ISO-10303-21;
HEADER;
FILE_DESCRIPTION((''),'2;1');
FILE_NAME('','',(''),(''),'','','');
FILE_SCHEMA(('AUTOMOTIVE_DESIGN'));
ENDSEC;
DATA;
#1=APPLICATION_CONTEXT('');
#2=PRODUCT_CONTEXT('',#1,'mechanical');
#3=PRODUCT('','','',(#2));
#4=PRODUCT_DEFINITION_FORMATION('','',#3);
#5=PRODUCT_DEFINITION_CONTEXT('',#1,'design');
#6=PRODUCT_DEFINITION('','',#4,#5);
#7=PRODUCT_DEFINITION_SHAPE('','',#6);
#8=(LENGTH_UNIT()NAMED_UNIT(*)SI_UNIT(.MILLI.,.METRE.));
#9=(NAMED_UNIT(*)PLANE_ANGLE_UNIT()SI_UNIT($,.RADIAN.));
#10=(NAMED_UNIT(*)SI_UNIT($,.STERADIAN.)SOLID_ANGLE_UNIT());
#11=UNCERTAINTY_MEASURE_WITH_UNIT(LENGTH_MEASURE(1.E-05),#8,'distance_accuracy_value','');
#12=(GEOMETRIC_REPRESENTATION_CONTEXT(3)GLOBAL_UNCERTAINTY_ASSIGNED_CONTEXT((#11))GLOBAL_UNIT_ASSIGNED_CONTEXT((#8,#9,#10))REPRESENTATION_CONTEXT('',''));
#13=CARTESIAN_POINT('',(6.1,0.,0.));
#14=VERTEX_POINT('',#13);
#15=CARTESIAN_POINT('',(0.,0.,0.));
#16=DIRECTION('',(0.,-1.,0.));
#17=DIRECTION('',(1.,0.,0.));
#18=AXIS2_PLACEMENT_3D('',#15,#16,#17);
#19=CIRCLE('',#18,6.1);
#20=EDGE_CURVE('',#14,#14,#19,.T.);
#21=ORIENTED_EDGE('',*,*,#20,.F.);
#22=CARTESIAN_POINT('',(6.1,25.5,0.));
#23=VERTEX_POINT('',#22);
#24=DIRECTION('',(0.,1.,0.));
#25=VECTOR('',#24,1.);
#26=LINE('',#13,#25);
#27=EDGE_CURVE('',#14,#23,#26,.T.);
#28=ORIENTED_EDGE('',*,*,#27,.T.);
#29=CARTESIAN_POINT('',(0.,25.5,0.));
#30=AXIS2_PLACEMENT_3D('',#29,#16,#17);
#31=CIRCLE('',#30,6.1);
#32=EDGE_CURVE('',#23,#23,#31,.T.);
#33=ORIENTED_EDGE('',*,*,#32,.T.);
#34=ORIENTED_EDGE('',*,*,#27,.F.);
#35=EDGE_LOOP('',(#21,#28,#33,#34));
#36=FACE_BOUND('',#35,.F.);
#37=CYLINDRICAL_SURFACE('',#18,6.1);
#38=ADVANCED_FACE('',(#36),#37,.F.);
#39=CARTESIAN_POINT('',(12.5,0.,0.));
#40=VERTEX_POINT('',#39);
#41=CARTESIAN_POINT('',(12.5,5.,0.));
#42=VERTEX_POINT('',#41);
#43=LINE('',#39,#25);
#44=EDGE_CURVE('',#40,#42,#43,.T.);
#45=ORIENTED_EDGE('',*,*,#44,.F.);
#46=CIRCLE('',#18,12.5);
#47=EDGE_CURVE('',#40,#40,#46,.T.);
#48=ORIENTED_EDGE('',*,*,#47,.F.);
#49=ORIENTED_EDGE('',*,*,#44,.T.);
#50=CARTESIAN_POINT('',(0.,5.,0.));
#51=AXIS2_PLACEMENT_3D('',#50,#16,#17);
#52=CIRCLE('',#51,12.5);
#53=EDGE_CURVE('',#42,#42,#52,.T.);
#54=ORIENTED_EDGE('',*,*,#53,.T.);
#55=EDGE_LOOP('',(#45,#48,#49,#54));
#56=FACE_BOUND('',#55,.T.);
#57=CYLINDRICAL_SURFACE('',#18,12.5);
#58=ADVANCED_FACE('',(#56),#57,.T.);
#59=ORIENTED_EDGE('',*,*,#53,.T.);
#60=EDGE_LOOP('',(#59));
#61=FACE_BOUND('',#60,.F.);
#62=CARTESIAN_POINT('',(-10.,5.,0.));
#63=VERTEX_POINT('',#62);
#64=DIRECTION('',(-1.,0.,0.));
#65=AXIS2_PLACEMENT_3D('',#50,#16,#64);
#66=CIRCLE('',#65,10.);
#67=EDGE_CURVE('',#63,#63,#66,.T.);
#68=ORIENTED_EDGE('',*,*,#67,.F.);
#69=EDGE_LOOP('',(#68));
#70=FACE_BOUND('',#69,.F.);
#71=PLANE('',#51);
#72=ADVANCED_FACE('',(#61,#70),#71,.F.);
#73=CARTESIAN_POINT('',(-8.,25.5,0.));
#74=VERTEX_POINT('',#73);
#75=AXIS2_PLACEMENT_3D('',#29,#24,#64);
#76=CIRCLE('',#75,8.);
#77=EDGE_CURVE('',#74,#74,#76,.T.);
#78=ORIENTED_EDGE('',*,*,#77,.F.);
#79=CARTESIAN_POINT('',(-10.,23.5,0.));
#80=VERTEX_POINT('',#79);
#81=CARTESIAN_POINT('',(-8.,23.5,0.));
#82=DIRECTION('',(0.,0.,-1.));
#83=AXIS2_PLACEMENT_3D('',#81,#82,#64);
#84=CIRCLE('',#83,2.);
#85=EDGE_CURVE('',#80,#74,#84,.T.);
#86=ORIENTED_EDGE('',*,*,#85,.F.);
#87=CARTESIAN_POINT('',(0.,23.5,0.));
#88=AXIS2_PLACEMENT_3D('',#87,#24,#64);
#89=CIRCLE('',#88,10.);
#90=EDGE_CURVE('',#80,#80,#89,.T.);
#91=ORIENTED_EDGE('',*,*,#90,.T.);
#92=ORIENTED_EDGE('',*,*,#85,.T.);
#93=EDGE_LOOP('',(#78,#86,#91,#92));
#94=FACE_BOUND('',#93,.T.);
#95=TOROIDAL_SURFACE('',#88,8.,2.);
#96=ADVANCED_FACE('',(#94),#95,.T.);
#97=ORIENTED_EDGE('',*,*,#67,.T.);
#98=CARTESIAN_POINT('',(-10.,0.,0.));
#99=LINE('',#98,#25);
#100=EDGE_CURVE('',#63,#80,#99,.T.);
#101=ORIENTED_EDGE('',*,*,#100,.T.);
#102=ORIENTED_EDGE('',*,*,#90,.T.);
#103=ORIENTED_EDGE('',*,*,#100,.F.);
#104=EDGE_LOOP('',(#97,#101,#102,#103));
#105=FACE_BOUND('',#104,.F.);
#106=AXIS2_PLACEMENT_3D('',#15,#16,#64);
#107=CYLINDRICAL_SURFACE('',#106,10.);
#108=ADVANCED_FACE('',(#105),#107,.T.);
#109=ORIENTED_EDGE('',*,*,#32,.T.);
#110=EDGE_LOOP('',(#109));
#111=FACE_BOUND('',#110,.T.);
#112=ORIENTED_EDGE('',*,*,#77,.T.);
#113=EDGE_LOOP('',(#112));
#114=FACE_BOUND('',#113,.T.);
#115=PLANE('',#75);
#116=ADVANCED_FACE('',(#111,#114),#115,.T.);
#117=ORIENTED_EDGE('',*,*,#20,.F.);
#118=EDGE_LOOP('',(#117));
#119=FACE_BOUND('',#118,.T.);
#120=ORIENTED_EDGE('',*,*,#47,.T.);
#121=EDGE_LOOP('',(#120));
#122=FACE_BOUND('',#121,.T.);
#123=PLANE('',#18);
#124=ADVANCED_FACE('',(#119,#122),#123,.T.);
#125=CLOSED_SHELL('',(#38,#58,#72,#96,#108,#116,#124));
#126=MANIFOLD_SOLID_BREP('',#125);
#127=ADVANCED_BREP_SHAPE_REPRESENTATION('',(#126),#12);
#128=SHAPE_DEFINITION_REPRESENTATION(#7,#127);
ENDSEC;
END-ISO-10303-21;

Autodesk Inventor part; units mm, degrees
ref_plane "YZ Plane" through (0, 0, 0) normal (1, 0, 0) x (0, 1, 0)
ref_plane "XZ Plane" through (0, 0, 0) normal (0, 1, 0) x (-1, 0, 0)
ref_plane "XY Plane" through (0, 0, 0) normal (0, 0, 1) x (1, 0, 0)
sketch "Sketch1" plane through (0, 0, 0) normal (0, 1, 0) x (-1, 0, 0)
  circle A0 centre (0, 0) radius 10
  dimension "d0" = 20
extrude "Extrusion1" add sketch "Sketch1" along normal blind 25.5
sketch "Sketch2" plane through (0, 0, 0) normal (0, -1, 0) x (1, 0, 0)
  circle A0 centre (0, 0) radius 6.1
  dimension "d3" = 12.2
extrude "Extrusion2" cut sketch "Sketch2" against normal through all
sketch "Sketch3" plane through (0, 0, 0) normal (0, -1, 0) x (1, 0, 0)
  circle A0 centre (0, 0) radius 10 projected
  circle A1 centre (0, 0) radius 12.5
  dimension "d6" = 25
extrude "Extrusion3" add sketch "Sketch3" against normal blind 5
fillet "Fillet1" radius 2 1 edges at (10, 25.5, 0)
properties part number "Bushing_stempel" material "Brass, Soft Yellow"
